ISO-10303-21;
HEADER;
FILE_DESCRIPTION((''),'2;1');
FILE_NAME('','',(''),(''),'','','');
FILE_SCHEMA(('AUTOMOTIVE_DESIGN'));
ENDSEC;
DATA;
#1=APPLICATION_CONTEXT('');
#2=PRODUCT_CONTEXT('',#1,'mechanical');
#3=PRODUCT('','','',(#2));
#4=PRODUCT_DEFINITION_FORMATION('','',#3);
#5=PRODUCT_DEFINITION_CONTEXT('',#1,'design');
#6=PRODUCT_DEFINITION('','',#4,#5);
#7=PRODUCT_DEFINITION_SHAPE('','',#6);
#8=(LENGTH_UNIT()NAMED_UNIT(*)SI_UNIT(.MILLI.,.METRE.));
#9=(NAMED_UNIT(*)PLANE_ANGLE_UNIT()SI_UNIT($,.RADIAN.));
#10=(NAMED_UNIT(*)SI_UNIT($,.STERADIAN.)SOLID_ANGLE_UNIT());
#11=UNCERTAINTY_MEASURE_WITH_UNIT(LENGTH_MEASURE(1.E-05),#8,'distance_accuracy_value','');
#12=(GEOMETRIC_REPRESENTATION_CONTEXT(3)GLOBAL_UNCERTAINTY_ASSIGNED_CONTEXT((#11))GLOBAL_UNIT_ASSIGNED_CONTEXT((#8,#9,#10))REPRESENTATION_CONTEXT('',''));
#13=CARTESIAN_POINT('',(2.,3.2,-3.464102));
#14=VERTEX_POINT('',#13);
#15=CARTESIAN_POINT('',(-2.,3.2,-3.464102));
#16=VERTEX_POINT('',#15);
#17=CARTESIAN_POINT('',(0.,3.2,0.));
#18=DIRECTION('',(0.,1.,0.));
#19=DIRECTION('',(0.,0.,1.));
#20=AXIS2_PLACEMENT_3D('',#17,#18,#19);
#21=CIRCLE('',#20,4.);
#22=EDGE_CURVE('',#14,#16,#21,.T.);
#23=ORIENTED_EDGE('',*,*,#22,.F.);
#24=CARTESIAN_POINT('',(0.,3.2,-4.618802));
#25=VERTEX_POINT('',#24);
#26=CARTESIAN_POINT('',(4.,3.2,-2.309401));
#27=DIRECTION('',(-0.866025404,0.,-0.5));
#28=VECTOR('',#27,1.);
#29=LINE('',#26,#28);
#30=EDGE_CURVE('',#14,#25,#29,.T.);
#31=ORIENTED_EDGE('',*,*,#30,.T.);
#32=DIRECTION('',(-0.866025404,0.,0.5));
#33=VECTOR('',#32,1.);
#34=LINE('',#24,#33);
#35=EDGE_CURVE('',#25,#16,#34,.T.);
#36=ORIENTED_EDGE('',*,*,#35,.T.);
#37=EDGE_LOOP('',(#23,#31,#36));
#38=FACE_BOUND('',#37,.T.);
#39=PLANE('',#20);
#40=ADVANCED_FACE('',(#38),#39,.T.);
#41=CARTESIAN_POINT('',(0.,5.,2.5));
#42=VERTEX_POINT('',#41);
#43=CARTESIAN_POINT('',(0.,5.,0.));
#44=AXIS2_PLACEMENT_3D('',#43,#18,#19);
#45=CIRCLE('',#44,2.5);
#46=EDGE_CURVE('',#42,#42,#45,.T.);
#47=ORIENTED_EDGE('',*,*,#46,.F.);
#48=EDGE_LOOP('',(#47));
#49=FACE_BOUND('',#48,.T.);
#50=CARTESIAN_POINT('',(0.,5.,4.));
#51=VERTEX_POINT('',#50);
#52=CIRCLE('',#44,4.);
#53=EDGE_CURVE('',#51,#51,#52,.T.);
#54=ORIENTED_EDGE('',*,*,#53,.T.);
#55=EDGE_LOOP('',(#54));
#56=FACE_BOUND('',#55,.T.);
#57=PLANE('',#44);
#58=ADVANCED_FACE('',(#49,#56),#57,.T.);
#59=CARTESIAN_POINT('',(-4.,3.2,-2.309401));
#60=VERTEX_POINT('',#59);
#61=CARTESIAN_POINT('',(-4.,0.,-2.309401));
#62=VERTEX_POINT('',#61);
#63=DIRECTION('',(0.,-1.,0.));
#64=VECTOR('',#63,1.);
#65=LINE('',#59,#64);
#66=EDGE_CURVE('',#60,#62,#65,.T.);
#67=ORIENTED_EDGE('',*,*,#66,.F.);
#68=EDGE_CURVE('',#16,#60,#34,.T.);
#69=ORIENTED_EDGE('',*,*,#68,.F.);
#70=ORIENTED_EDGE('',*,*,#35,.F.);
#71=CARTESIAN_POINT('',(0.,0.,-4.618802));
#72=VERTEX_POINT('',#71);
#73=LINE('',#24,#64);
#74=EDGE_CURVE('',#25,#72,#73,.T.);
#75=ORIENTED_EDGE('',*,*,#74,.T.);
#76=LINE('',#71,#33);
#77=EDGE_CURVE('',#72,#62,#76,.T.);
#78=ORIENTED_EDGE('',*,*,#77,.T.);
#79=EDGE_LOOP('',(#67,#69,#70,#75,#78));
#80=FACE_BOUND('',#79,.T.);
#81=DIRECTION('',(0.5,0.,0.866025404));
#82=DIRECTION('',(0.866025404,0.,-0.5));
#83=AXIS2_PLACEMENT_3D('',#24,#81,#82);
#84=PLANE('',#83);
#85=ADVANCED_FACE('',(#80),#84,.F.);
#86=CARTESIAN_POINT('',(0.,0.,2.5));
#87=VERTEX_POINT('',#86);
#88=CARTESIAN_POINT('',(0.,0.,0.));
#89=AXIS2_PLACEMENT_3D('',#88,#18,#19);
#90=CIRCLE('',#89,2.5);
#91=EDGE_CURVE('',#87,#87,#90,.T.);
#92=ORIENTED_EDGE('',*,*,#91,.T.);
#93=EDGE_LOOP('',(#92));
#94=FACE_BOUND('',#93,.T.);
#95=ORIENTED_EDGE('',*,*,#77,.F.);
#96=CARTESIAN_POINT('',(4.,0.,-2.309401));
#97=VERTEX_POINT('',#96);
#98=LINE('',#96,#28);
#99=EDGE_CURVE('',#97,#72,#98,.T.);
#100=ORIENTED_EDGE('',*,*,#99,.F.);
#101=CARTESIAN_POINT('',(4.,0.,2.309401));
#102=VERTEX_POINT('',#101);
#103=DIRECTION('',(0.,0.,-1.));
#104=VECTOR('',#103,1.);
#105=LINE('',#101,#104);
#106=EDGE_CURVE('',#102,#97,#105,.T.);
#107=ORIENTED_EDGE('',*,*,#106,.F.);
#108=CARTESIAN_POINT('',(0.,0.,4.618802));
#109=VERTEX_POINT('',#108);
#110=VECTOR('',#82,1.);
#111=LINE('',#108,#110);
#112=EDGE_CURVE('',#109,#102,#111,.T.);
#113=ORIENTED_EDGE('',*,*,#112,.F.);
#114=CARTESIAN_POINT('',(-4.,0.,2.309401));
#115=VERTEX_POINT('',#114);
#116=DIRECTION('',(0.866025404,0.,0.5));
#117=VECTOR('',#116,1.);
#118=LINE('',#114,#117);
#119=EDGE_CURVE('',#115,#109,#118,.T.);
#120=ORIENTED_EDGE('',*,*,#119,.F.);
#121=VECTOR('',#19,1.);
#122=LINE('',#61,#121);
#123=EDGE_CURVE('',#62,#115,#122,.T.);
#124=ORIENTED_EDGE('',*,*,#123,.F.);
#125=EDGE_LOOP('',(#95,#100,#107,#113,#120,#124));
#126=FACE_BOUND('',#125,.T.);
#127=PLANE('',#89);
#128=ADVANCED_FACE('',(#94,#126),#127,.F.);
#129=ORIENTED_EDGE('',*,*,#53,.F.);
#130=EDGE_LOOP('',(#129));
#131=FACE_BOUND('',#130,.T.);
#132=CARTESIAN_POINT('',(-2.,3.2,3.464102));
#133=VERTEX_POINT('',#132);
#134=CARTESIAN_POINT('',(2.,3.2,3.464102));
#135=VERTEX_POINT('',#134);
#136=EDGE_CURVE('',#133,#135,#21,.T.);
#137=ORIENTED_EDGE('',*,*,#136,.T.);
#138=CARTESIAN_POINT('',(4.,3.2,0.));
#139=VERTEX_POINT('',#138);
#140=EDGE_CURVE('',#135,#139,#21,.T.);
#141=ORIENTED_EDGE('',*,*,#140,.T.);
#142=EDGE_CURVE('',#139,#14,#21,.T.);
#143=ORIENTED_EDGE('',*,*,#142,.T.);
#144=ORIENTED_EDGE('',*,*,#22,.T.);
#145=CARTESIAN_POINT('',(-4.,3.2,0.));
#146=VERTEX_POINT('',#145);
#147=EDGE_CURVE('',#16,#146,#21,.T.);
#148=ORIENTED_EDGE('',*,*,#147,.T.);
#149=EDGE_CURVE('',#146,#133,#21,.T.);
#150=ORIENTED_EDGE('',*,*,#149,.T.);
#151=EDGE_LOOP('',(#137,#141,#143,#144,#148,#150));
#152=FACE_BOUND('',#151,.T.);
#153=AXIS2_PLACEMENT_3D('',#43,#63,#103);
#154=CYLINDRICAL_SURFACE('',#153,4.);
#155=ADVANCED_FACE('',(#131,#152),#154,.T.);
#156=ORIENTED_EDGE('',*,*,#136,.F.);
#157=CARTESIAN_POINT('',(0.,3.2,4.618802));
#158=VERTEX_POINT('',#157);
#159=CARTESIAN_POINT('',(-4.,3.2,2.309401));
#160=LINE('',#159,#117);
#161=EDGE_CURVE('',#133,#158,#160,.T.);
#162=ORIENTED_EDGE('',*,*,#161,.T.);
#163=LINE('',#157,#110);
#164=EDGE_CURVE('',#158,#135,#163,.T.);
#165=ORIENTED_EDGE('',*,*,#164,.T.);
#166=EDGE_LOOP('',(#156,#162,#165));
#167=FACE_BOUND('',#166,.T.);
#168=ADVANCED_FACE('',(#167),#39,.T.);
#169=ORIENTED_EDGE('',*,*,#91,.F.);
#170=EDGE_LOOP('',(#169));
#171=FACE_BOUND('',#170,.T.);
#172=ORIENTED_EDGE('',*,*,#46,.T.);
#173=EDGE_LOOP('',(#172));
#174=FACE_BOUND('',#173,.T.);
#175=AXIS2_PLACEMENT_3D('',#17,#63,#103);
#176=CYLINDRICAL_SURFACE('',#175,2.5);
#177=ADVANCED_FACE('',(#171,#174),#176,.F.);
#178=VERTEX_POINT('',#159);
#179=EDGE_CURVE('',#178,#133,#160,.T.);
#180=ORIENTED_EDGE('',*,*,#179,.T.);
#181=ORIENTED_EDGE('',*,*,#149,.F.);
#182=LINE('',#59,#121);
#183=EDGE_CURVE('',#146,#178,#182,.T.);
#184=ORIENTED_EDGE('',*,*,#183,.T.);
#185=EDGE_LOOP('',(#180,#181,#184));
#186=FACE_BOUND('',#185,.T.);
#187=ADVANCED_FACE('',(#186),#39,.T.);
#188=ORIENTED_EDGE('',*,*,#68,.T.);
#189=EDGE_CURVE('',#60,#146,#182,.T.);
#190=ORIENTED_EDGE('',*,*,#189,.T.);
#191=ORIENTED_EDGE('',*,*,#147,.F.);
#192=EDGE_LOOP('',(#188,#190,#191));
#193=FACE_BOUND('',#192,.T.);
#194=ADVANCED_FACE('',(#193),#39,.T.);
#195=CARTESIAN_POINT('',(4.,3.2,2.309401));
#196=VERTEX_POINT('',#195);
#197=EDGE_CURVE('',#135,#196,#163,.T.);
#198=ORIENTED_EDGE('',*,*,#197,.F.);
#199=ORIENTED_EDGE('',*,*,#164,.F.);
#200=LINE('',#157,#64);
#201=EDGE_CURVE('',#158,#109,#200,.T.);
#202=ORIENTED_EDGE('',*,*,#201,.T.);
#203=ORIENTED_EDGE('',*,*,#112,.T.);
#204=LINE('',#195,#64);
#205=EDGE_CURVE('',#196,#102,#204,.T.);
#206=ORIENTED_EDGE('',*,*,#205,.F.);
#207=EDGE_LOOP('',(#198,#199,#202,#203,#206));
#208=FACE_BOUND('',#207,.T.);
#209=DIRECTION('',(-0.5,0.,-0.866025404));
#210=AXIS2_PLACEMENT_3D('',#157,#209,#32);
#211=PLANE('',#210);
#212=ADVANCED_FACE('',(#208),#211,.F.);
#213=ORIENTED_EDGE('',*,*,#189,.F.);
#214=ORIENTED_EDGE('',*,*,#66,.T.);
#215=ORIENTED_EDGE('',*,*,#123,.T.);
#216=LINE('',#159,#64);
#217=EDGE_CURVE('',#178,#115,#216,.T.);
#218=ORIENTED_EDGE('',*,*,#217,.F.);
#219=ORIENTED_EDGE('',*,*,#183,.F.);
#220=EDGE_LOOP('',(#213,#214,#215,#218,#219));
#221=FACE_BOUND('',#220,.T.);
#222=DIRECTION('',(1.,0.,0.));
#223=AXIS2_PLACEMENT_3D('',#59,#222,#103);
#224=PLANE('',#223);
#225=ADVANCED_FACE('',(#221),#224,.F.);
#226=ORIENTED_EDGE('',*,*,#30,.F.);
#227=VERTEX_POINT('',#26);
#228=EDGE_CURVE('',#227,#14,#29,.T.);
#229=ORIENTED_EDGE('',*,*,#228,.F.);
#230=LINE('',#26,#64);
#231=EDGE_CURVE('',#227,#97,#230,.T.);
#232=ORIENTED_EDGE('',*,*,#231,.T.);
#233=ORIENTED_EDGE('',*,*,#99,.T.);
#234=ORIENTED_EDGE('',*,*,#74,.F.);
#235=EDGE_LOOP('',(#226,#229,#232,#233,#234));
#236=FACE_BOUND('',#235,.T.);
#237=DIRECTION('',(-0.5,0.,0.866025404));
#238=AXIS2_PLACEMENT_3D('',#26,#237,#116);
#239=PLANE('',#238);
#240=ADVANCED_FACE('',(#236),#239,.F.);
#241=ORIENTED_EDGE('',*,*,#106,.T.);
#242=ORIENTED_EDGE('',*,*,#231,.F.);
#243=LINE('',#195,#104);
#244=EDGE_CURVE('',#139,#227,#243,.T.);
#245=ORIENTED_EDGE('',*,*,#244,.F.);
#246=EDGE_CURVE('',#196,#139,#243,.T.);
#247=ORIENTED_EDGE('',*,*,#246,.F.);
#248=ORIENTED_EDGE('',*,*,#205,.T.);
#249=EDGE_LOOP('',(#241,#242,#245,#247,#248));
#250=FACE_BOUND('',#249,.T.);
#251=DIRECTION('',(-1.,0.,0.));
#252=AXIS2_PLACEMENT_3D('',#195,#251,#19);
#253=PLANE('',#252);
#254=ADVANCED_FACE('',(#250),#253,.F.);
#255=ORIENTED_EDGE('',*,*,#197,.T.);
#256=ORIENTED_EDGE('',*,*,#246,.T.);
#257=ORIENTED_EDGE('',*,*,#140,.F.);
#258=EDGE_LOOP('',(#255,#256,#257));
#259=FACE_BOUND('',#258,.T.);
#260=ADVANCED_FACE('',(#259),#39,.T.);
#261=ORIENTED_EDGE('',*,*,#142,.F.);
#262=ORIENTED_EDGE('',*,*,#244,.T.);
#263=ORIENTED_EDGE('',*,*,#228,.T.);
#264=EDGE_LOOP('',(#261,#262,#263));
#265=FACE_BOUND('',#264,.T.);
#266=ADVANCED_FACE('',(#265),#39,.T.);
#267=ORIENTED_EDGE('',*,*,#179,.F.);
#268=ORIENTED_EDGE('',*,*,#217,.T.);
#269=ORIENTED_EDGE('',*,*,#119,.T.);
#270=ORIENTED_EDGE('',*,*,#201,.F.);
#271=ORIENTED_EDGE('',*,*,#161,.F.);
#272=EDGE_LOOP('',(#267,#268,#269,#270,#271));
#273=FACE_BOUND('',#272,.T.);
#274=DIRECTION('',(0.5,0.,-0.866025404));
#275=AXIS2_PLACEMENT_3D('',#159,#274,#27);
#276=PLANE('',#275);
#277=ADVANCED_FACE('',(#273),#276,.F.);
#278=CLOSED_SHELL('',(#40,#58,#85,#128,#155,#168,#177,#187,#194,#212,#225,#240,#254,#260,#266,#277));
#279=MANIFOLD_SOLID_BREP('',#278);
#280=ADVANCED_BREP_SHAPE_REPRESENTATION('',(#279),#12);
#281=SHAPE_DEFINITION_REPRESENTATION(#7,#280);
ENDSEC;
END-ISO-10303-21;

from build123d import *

# Parameters (mm, degrees)
SKETCH_1_R      = 2.5
EXTRUDE_1_DEPTH = 3.2
SKETCH_2_R      = 4
SKETCH_2_R_2    = 2.5
EXTRUDE_2_DEPTH = 1.8


with BuildPart() as part:
    # 草图1 → 凸台-拉伸1 (new body)
    with BuildSketch(Plane(origin=(0, 0, 0), x_dir=(1, 0, 0), z_dir=(0, 1, 0))):
        Polygon((0, -4.618802154), (4, -2.309401077), (4, 2.309401077), (0, 4.618802154), (-4, 2.309401077), (-4, -2.309401077), align=None)
        with Locations(Location((0, 0, 0), (0, 0, 270))):
            Circle(SKETCH_1_R, mode=Mode.SUBTRACT)
    extrude(amount=EXTRUDE_1_DEPTH)

    # 草图2 → 凸台-拉伸2 (add)
    with BuildSketch(Plane(origin=(0, 3.2, 0), x_dir=(1, 0, 0), z_dir=(0, 1, 0))):
        with Locations(Location((0, 0, 0), (0, 0, 60))):
            Circle(SKETCH_2_R)
        with Locations(Location((0, 0, 0), (0, 0, 270))):
            Circle(SKETCH_2_R_2, mode=Mode.SUBTRACT)
    extrude(amount=EXTRUDE_2_DEPTH)


solid = part.part
